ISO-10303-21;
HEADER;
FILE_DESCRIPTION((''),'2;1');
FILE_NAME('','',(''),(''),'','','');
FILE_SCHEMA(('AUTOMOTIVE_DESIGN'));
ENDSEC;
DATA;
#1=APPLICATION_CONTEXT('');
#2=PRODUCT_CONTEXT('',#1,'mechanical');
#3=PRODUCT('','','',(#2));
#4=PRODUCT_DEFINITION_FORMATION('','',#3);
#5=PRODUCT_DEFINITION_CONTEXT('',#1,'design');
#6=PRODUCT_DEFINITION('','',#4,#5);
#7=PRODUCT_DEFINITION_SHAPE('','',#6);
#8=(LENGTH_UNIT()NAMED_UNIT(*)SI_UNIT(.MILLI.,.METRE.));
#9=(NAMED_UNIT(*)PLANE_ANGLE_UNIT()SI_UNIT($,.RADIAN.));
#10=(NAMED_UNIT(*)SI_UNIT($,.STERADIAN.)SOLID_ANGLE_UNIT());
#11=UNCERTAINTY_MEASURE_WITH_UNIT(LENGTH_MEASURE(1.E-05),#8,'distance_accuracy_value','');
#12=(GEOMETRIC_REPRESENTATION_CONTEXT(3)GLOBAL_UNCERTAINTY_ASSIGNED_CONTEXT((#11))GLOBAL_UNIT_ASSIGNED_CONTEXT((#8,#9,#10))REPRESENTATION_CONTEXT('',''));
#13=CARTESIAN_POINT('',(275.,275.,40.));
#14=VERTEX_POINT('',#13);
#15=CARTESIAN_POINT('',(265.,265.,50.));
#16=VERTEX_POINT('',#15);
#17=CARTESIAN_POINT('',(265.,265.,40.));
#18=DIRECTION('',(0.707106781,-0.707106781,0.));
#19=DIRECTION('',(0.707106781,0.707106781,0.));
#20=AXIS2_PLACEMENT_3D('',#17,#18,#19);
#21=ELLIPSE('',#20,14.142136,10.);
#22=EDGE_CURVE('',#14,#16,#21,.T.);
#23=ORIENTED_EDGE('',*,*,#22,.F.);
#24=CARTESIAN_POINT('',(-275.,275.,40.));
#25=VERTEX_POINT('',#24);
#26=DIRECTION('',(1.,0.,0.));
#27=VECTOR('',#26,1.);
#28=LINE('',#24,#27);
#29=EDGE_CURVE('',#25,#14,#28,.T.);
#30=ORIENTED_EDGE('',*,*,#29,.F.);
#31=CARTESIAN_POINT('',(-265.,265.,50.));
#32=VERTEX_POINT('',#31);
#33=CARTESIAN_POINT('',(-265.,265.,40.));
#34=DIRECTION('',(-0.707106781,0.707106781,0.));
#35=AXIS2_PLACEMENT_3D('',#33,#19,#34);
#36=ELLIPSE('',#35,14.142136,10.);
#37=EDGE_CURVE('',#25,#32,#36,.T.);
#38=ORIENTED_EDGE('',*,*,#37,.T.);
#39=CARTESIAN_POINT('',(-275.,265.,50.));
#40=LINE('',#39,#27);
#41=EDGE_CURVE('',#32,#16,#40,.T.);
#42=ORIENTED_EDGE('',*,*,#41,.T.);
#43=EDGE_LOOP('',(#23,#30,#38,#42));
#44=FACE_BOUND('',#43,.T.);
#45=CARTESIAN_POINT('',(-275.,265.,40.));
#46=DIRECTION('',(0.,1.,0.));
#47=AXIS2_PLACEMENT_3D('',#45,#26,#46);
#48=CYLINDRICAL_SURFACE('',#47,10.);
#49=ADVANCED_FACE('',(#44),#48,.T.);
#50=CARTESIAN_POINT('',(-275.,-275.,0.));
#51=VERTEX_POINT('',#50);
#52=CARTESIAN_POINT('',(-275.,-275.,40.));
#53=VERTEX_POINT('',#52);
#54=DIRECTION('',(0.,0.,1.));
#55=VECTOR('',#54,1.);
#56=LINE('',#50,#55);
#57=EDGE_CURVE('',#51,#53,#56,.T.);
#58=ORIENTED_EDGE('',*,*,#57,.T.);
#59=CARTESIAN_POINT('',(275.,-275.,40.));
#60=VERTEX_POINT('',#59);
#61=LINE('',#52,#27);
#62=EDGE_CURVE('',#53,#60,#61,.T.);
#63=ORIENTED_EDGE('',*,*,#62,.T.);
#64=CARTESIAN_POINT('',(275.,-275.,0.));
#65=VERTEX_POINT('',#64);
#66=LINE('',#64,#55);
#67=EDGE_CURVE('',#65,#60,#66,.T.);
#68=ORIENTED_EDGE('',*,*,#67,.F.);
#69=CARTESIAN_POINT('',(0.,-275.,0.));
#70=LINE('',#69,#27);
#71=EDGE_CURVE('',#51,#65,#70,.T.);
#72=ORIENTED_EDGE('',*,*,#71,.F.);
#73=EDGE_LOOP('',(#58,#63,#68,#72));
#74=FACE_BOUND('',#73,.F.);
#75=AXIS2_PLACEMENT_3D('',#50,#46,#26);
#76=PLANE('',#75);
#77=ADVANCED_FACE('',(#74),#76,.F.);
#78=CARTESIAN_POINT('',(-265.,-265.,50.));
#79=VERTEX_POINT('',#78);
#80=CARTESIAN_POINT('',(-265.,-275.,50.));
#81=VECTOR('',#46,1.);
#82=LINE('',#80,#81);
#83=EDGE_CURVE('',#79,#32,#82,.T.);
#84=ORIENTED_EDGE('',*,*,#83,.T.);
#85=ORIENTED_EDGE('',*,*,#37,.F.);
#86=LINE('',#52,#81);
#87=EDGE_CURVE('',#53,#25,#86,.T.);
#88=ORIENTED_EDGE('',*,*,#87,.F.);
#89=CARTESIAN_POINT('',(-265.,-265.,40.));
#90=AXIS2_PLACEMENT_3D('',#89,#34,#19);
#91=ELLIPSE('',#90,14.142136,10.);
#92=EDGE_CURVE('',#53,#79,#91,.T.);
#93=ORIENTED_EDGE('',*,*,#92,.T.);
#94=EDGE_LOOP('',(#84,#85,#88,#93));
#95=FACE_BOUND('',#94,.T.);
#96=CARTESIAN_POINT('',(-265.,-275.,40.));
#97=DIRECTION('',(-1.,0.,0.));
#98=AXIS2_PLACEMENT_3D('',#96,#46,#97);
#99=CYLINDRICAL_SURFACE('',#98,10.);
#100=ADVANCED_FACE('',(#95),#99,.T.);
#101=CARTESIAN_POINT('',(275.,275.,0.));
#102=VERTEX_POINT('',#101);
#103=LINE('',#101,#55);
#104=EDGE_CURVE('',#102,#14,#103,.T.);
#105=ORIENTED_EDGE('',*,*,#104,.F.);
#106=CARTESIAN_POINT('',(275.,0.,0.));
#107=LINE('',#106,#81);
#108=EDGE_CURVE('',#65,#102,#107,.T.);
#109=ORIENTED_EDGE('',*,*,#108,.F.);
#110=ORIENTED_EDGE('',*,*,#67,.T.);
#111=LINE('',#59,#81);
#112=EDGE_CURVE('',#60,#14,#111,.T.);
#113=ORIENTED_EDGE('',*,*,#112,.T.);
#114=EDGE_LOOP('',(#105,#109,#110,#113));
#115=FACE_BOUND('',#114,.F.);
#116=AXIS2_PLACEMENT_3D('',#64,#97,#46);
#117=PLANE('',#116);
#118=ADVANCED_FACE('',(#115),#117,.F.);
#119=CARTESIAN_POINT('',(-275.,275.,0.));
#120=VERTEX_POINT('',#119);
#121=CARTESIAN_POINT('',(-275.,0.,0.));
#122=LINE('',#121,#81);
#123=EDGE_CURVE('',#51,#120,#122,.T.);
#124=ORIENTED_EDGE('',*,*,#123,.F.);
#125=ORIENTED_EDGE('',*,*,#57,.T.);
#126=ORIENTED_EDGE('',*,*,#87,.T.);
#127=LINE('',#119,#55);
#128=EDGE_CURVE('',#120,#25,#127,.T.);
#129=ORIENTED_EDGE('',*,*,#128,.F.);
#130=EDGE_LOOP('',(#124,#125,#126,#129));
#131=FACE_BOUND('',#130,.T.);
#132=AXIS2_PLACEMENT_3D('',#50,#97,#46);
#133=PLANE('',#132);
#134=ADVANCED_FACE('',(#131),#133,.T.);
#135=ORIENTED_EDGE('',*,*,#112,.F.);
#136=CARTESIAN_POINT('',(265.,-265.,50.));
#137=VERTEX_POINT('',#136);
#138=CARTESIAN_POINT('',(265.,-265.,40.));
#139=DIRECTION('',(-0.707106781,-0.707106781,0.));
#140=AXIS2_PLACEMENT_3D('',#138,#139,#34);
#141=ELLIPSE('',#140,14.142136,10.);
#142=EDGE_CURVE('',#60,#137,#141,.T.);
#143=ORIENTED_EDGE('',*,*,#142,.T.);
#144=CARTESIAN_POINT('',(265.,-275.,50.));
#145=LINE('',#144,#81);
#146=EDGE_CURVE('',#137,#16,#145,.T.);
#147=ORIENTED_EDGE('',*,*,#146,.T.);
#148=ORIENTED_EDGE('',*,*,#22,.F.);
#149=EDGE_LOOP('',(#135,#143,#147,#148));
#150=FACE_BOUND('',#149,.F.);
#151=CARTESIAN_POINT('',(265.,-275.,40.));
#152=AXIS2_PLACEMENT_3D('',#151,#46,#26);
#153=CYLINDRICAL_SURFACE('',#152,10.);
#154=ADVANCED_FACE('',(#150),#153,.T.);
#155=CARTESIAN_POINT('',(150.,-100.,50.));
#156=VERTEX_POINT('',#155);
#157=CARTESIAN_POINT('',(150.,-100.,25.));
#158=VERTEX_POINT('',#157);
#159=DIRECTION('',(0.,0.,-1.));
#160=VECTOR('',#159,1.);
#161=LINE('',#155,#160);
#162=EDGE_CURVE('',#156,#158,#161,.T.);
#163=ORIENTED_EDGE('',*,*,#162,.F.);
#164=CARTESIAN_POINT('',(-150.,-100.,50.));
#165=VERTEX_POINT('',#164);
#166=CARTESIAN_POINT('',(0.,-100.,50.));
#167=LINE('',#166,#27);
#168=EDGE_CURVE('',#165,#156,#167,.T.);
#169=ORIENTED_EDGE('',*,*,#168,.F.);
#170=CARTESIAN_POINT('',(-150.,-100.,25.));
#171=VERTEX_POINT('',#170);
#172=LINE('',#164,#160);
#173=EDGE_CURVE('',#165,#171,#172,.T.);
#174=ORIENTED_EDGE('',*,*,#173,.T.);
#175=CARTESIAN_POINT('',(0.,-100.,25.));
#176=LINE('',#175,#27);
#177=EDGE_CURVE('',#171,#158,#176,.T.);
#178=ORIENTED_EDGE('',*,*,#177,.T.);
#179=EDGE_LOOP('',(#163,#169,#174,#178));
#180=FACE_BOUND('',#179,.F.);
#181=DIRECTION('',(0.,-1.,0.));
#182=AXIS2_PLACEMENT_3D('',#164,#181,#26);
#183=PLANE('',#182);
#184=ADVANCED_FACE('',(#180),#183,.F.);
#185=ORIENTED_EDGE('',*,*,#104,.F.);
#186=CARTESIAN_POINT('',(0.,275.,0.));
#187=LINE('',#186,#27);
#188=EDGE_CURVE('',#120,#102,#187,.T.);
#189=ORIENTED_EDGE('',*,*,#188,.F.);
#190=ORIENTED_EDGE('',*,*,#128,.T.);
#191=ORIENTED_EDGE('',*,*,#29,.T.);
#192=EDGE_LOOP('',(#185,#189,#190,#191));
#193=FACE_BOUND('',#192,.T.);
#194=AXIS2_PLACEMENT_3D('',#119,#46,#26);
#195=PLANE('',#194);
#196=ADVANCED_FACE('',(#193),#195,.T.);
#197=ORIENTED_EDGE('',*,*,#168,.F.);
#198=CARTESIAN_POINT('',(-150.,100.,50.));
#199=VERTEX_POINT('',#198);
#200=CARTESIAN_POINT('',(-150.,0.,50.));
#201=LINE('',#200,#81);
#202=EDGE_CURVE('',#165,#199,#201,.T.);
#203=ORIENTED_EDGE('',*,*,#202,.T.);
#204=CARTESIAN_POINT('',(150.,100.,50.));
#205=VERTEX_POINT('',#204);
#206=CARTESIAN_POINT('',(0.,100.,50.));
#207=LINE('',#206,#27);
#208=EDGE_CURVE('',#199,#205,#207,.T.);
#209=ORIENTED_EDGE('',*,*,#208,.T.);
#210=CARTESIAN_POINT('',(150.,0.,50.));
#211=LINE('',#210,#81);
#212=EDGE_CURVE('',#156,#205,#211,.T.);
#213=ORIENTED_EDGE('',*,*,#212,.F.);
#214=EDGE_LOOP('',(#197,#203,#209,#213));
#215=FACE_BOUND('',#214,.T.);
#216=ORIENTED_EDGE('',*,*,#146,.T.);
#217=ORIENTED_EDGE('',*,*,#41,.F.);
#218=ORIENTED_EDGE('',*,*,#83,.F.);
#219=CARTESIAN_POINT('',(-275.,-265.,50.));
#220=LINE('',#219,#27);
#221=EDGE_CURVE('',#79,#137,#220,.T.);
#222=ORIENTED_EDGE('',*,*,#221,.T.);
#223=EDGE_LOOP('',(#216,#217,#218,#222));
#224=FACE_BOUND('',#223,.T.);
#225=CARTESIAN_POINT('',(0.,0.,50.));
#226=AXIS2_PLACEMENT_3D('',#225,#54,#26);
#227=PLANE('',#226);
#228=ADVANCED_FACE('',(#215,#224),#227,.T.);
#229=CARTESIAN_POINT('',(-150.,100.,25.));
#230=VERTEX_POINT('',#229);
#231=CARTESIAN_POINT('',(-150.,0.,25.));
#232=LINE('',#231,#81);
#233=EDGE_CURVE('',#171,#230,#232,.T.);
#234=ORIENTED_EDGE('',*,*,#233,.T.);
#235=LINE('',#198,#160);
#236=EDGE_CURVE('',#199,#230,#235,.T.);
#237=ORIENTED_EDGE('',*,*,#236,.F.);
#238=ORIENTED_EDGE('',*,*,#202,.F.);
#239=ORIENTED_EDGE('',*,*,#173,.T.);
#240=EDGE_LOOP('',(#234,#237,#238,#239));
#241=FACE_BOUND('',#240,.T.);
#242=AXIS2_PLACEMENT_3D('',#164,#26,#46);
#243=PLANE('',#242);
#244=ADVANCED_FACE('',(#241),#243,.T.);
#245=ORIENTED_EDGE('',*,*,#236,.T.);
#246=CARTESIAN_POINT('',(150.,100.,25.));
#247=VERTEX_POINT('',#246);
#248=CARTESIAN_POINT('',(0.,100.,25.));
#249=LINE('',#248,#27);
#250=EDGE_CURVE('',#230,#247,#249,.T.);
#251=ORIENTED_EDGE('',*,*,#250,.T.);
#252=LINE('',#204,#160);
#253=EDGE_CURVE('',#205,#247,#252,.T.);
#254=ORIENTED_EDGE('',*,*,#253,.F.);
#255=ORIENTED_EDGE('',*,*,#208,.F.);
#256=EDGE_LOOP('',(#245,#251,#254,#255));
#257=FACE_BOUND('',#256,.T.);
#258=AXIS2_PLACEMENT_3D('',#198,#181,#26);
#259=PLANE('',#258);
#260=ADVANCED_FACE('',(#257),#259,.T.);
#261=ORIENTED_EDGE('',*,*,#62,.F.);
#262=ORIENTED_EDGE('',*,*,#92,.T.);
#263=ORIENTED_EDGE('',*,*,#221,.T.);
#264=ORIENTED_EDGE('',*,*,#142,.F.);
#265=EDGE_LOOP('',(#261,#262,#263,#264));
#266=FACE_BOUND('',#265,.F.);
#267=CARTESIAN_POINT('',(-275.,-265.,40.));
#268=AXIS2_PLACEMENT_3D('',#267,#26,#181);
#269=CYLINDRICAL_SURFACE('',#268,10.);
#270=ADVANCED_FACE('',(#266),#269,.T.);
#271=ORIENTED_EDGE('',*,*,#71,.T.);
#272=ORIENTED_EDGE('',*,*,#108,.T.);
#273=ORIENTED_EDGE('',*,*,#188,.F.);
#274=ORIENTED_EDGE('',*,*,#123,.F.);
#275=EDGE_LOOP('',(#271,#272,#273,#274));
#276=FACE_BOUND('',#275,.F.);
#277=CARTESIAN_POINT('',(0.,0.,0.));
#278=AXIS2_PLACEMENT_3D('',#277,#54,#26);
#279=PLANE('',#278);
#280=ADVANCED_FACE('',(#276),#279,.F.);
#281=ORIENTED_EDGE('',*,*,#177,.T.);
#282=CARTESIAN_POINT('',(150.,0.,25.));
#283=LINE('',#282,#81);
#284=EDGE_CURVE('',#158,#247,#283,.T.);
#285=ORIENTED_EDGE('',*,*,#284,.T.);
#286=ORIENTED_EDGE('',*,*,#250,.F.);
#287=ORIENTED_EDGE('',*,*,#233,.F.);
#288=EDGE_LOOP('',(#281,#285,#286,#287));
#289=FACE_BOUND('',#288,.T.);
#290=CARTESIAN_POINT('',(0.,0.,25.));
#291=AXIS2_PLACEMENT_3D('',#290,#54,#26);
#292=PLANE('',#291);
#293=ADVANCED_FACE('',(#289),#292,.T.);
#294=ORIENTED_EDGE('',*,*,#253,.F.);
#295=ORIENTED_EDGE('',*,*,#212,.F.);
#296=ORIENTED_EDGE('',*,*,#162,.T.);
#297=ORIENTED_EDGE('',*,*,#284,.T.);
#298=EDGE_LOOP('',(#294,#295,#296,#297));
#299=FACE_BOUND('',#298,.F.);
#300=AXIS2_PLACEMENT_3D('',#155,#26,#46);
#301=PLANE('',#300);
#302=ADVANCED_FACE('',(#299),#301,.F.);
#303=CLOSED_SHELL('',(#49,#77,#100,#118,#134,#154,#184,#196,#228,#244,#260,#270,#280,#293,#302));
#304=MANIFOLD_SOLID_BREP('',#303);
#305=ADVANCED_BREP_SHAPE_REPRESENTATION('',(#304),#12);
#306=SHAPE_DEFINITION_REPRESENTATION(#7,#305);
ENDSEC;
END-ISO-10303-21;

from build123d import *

# Parameters (mm, degrees)
F0_W     = 550
F0_H     = 550
F1_DEPTH = 50
F2_R     = 10
F3_W     = 300
F3_H     = 200
F4_DEPTH = 25
F5_DEPTH = 25


with BuildPart() as f1:
    # F0 (on Top) → F1 (new body)
    with BuildSketch(Plane.XY):
        Rectangle(F0_W, F0_H)
    extrude(amount=F1_DEPTH)

    # F2
    f2_edges = [f1.edges().sort_by_distance(p)[0] for p in [
        (-275, 0, 50),
        (0, 275, 50),
        (275, 0, 50),
        (0, -275, 50),
    ]]
    fillet(f2_edges, radius=F2_R)

    # F3 (on face) → F4 (join)
    with BuildSketch(Plane.XY.offset(50)):
        Rectangle(F3_W, F3_H)
    extrude(amount=-F4_DEPTH)

    # F3 (on face) → F5 (cut)
    with BuildSketch(Plane.XY.offset(50)):
        Rectangle(F3_W, F3_H)
    extrude(amount=-F5_DEPTH, mode=Mode.SUBTRACT)


solid = f1.part
